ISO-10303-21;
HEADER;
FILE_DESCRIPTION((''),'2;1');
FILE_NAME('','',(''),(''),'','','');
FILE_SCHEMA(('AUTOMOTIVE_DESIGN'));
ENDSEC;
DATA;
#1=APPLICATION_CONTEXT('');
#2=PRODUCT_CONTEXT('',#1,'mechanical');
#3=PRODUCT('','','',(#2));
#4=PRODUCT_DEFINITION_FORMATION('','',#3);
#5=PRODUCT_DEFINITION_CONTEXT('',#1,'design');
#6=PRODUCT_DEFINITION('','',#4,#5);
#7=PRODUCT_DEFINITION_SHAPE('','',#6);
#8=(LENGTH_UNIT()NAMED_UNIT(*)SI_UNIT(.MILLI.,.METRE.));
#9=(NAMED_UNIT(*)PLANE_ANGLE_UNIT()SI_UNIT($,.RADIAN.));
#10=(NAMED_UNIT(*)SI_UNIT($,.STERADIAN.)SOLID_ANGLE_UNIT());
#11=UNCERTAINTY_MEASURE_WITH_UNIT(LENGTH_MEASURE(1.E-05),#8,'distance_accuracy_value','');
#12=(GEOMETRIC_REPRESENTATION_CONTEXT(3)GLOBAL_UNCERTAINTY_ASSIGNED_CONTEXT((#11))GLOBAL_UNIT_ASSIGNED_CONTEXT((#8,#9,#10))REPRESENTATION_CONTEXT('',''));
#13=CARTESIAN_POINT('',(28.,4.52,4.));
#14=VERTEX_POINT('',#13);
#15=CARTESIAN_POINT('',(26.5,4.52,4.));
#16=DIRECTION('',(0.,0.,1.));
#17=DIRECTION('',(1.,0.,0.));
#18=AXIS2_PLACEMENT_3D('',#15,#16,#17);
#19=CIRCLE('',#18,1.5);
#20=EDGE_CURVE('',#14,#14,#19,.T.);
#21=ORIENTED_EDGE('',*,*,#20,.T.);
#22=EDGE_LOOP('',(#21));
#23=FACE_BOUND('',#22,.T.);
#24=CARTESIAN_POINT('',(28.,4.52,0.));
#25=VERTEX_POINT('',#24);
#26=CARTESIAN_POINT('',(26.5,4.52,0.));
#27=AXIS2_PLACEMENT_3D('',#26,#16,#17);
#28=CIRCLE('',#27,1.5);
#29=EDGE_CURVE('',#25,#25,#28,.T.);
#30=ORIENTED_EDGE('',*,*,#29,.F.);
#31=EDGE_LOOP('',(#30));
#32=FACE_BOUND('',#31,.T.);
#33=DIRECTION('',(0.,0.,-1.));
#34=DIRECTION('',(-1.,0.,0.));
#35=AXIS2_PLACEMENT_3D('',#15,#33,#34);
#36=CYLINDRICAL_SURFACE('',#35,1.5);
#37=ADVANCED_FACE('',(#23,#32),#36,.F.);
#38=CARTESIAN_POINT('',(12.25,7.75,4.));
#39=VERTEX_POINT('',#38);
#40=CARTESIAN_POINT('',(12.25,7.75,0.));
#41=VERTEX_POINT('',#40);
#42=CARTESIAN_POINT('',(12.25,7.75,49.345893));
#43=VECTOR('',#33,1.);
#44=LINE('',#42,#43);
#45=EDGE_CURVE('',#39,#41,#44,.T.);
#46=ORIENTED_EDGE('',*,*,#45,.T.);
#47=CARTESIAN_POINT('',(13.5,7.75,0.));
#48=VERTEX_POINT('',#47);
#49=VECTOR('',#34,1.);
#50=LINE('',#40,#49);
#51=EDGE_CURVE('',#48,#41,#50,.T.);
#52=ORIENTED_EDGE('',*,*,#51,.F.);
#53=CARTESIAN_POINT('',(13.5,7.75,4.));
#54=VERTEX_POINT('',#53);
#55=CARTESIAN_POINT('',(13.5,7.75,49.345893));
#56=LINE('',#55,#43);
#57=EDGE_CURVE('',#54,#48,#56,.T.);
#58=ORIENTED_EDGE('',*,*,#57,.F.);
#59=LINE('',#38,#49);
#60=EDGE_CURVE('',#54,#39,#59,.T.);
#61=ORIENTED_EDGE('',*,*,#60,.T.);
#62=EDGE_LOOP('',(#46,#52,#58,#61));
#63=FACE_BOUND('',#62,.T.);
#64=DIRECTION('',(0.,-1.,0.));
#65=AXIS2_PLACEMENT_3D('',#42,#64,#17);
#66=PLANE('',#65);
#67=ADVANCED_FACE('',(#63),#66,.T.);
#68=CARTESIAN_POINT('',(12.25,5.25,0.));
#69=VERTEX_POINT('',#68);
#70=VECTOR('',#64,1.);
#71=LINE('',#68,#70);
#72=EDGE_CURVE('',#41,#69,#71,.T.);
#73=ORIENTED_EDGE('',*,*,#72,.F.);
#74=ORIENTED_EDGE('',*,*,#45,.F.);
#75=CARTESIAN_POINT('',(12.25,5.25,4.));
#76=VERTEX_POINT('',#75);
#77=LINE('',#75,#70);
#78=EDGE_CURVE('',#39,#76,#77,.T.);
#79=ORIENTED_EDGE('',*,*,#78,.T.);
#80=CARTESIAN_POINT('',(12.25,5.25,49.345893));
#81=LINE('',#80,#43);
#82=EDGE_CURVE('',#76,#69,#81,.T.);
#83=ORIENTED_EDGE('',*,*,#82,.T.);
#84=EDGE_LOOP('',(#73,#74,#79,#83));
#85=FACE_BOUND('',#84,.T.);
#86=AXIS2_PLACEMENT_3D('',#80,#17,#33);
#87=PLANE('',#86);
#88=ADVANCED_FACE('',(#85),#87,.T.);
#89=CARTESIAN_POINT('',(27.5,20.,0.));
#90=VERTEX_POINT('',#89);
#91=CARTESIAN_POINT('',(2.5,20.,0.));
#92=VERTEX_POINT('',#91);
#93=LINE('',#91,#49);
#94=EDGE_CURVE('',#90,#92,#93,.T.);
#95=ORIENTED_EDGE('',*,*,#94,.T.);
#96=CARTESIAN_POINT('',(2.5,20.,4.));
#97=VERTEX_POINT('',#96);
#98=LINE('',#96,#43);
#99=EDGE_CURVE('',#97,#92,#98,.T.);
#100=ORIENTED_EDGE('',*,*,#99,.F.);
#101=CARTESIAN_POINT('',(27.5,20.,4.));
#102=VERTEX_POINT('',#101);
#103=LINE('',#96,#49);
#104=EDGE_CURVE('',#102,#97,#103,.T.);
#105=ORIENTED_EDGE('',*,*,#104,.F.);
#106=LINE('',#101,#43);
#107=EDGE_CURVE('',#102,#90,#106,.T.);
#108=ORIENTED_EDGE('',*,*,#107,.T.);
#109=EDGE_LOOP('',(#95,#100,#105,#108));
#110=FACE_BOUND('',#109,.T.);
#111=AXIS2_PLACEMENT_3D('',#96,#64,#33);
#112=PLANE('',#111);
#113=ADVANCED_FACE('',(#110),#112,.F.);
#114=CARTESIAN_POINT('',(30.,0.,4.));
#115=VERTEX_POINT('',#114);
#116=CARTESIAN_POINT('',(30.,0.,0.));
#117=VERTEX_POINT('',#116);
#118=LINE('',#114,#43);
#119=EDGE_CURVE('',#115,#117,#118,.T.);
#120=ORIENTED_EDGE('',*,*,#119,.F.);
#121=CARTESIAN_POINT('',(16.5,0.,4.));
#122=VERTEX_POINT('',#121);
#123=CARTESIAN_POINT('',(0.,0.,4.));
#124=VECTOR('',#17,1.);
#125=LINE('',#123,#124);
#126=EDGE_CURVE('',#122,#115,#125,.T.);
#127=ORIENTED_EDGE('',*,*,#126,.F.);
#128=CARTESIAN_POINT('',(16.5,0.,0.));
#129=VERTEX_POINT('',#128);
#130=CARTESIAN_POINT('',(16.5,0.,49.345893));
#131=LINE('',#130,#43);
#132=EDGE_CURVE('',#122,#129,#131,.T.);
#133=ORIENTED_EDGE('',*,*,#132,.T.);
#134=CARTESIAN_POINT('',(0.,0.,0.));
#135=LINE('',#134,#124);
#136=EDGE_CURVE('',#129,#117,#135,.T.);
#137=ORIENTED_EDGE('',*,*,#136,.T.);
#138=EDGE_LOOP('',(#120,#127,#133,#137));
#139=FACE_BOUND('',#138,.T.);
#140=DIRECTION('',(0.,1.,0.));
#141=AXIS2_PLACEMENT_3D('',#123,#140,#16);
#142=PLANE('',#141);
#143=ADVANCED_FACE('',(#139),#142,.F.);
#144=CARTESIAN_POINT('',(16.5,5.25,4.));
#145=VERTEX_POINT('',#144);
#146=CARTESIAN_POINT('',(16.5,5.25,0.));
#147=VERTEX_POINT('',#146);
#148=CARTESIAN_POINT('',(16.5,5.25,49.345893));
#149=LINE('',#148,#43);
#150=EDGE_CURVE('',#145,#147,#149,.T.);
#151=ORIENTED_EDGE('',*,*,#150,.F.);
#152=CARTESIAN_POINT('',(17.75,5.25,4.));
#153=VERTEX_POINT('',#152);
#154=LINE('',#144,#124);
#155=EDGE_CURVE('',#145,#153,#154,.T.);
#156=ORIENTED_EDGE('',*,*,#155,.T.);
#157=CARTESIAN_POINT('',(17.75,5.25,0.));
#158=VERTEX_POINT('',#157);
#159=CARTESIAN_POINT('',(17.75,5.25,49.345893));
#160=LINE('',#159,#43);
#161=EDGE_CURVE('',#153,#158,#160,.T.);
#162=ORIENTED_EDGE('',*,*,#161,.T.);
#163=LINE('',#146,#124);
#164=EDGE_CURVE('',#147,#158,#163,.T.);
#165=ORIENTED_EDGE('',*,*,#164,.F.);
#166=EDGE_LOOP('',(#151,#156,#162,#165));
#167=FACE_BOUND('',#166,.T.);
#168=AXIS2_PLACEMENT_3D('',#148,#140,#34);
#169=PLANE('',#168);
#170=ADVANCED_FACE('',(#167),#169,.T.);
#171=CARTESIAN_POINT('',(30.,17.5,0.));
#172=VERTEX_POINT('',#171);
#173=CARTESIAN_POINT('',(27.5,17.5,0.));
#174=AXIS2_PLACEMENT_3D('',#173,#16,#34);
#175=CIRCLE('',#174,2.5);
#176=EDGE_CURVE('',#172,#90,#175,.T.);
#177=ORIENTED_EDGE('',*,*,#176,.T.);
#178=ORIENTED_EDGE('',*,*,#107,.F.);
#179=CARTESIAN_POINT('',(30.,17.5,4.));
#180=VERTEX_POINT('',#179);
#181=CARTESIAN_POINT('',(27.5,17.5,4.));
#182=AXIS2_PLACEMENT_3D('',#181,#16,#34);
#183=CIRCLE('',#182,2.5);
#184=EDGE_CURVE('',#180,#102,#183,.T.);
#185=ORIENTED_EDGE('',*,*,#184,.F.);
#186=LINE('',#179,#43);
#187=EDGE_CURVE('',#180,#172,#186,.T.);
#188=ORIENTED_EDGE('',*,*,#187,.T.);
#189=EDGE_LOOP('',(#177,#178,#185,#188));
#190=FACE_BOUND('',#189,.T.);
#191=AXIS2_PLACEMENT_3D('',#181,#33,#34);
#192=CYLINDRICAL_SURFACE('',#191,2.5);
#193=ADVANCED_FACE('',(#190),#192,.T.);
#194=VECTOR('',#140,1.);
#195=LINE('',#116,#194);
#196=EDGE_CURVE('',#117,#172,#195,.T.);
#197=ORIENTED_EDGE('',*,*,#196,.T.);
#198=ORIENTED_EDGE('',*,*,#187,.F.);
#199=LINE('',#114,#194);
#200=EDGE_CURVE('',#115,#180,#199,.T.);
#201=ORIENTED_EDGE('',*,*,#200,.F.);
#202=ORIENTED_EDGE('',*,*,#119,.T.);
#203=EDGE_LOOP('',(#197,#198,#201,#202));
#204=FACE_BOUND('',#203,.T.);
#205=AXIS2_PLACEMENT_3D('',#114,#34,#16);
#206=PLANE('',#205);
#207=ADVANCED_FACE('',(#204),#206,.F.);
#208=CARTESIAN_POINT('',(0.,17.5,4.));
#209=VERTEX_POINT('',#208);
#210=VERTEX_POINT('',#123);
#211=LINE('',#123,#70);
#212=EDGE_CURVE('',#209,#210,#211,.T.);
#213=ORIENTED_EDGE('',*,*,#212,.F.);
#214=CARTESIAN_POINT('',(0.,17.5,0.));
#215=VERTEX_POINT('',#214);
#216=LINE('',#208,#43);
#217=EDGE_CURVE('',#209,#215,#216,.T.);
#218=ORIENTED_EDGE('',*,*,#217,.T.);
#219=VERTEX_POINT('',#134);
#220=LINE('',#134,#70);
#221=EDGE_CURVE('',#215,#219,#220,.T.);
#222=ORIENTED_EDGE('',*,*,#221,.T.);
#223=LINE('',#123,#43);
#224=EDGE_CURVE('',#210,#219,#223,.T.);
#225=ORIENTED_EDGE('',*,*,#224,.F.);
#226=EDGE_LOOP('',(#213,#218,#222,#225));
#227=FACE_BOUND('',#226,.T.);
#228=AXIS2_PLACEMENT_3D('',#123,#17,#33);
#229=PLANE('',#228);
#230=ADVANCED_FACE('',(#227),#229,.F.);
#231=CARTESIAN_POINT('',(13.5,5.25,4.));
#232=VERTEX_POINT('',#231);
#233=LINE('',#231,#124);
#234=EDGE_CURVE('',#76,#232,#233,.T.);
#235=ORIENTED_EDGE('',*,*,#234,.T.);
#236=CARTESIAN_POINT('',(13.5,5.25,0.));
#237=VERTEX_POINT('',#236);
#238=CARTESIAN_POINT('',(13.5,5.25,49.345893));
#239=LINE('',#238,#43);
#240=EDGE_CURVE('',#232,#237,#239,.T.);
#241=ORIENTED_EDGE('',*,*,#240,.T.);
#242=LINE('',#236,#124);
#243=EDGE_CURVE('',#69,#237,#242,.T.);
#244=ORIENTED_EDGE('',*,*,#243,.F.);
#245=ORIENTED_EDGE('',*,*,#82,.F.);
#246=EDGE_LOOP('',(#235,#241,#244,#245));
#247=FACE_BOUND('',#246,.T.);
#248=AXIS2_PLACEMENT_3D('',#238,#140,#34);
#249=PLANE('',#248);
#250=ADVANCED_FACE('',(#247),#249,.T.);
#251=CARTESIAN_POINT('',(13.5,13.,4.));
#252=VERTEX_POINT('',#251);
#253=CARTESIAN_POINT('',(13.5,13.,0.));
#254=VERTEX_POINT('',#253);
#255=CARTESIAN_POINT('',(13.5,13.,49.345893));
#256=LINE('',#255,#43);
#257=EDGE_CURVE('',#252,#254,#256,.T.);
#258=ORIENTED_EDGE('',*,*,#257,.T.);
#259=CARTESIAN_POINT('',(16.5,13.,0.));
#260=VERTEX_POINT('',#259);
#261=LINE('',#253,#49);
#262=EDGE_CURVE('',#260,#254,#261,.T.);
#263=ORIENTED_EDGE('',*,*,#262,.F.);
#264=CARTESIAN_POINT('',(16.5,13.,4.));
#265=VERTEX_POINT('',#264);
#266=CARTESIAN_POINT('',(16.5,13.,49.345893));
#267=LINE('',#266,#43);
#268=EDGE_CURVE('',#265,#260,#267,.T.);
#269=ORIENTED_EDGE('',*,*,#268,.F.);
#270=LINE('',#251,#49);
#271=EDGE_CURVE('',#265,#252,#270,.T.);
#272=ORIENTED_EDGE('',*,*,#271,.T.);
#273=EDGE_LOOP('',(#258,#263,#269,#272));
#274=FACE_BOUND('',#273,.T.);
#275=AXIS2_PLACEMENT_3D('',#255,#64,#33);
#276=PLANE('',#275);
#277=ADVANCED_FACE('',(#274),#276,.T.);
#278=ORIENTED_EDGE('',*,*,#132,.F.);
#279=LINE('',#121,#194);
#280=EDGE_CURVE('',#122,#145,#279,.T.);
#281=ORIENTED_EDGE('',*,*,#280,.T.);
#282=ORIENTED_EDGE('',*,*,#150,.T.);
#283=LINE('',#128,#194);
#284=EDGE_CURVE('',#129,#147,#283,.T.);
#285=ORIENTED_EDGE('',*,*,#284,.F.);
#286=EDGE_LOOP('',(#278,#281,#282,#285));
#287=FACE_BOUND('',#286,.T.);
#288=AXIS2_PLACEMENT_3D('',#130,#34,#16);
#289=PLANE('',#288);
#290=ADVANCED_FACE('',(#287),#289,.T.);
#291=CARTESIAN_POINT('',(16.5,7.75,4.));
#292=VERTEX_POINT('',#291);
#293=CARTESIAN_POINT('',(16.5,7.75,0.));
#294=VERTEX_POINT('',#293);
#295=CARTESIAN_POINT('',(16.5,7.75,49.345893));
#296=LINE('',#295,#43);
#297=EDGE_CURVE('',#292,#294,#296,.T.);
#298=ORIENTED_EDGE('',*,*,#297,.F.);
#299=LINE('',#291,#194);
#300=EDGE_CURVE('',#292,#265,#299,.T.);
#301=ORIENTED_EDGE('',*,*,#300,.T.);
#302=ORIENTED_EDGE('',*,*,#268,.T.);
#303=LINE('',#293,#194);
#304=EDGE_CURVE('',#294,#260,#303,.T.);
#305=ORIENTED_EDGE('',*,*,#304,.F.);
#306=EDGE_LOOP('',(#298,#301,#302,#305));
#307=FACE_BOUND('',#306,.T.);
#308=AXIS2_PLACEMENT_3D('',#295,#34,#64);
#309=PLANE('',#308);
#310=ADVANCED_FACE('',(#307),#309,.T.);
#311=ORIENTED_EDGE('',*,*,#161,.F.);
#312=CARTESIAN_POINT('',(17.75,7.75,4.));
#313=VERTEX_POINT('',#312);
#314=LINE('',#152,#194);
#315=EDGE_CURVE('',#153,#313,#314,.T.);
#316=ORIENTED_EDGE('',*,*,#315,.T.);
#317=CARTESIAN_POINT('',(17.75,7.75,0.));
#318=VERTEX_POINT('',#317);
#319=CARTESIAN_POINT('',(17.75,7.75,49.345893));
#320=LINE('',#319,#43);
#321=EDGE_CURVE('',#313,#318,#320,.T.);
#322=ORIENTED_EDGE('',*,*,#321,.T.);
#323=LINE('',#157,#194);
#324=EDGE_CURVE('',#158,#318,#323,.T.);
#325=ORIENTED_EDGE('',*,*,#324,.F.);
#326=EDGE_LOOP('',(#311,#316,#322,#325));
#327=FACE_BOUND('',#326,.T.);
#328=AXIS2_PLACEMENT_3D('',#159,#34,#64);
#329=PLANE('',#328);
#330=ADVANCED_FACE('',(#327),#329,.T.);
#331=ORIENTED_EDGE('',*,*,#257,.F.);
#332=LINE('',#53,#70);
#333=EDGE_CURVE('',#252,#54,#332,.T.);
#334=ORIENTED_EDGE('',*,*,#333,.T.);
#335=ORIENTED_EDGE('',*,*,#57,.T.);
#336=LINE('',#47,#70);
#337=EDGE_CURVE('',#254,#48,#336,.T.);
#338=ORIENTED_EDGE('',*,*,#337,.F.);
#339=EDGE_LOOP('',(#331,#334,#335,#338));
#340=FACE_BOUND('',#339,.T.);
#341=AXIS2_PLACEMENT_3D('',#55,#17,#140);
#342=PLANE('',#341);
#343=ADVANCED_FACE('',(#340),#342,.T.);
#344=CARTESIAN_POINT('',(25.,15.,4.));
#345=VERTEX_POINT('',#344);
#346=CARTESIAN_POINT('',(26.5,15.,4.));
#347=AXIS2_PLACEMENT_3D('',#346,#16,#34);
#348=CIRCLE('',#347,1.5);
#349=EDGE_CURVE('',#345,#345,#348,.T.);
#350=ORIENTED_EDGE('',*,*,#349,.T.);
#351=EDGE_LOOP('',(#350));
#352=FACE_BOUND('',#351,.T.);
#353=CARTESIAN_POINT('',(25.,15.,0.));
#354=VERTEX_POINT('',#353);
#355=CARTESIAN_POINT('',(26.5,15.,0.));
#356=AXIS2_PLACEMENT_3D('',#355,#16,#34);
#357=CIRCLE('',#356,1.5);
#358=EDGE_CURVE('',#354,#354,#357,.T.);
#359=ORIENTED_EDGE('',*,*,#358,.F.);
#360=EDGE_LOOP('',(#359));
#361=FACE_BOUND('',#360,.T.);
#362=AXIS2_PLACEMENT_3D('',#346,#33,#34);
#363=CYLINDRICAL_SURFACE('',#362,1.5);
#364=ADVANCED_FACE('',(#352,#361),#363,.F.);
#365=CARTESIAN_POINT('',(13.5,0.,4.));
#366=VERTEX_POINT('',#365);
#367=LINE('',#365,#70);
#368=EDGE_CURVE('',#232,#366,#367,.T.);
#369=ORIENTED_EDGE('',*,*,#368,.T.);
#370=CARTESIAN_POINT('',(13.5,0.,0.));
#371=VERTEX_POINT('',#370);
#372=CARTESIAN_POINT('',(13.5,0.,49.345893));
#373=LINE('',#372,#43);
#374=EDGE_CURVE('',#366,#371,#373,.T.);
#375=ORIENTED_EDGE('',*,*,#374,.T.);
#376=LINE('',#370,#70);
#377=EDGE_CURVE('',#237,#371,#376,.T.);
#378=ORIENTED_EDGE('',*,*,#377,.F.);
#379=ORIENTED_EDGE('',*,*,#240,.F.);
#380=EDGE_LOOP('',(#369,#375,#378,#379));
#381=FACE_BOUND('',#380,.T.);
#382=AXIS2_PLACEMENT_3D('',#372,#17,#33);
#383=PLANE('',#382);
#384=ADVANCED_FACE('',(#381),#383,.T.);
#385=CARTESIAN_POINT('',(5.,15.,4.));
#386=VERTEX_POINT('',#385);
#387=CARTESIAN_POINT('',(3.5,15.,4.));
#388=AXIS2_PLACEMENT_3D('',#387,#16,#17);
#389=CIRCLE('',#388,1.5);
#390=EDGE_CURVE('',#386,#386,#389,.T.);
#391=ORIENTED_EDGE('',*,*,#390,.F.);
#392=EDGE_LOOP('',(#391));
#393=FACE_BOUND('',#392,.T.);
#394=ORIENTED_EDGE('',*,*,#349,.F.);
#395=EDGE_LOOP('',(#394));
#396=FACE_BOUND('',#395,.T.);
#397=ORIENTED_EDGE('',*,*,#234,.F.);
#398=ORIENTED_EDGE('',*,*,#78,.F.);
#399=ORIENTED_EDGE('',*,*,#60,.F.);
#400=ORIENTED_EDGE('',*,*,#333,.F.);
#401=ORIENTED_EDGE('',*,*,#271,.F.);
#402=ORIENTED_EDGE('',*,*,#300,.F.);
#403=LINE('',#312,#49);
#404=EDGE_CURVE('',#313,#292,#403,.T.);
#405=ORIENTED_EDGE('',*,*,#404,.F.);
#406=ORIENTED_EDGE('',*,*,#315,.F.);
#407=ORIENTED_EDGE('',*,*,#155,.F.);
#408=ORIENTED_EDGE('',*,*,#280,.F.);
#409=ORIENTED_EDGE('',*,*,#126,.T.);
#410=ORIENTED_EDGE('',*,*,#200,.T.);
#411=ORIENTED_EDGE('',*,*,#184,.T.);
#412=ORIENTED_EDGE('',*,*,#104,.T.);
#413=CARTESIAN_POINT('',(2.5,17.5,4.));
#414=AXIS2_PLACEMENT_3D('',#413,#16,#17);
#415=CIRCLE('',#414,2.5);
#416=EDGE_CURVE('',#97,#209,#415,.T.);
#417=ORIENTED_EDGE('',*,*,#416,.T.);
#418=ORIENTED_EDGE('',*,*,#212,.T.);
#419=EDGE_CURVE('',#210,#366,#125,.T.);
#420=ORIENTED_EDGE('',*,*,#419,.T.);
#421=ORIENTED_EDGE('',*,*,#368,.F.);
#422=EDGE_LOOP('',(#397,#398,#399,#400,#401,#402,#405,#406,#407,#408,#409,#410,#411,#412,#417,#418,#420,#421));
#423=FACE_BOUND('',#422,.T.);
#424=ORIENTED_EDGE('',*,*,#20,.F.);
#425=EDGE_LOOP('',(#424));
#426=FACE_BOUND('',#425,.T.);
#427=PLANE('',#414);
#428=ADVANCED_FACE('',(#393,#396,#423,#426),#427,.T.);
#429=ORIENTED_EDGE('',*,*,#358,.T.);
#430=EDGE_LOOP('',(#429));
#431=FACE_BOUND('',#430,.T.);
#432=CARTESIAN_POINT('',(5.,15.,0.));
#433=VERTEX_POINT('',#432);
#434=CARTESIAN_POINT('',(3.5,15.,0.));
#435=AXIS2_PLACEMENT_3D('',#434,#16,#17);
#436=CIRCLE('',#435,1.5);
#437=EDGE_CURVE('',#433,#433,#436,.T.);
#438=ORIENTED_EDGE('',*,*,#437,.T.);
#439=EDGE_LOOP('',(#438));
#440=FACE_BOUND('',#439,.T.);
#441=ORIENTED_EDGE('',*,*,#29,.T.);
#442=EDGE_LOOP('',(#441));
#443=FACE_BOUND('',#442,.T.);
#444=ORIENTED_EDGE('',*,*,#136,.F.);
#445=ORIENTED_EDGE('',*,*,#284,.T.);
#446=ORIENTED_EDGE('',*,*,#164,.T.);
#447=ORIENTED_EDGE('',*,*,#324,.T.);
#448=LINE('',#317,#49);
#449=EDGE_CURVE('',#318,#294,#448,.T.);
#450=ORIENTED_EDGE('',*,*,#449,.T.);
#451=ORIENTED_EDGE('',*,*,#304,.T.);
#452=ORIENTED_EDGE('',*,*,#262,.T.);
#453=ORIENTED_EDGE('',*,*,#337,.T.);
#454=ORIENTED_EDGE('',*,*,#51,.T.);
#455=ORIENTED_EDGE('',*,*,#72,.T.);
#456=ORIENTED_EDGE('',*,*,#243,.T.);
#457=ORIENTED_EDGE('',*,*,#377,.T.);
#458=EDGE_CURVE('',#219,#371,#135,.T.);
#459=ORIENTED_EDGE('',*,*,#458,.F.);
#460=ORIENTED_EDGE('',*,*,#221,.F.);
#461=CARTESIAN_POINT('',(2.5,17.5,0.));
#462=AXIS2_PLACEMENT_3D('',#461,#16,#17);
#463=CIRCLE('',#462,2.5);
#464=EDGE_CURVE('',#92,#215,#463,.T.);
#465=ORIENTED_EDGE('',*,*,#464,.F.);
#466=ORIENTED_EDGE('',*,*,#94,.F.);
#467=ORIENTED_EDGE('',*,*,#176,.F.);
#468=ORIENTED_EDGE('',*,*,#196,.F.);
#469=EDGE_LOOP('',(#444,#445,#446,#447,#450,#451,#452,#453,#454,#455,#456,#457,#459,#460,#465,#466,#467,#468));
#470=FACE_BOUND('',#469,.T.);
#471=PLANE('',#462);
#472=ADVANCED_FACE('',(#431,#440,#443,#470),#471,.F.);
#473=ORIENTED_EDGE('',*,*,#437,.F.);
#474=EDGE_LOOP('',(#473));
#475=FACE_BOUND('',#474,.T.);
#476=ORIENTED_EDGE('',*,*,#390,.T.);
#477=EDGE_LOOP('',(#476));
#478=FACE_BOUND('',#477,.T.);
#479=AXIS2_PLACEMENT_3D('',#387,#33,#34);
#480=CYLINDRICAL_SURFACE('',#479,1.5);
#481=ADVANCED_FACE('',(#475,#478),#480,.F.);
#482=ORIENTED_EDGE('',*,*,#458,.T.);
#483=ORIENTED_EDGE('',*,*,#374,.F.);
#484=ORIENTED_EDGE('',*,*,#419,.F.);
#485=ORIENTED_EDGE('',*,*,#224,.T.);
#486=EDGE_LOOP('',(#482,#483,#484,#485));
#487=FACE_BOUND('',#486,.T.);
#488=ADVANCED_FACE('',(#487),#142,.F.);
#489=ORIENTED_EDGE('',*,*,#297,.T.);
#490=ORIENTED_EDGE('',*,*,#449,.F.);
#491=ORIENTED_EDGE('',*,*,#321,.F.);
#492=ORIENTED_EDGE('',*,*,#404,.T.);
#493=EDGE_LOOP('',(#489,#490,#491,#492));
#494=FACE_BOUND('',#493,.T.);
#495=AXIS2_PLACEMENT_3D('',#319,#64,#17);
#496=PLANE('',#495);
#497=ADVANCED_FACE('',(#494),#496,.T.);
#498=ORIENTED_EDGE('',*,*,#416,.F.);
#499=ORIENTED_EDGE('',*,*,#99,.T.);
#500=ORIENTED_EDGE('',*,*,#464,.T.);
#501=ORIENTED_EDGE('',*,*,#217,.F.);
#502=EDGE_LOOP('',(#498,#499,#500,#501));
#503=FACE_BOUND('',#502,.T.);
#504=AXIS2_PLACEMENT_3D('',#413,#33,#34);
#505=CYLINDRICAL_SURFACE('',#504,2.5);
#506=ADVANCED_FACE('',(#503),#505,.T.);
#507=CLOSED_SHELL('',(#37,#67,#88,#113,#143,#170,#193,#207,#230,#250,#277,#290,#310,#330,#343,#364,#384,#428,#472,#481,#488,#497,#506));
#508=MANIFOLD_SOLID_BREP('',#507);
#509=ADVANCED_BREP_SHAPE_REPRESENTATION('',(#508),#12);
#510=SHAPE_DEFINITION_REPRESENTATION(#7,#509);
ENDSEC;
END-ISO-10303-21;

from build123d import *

# Parameters (mm, degrees)
SKETCH_1_R               = 1.5
EXTRUDE_1_DEPTH          = 4
CUT_EXTRUDE_1_DEPTH      = 1
CUT_EXTRUDE_1_DEPTH_BACK = 4


with BuildPart() as part:
    # Эскиз1 → Бобышка-Вытянуть1 (new body)
    with BuildSketch(Plane.XY):
        with BuildLine():
            Line((0, 0), (30, 0))
            Line((30, 0), (30, 17.5))
            ThreePointArc((30, 17.5), (29.267766953, 19.267766953), (27.5, 20))
            Line((27.5, 20), (2.5, 20))
            ThreePointArc((2.5, 20), (0.732233047, 19.267766953), (0, 17.5))
            Line((0, 17.5), (0, 0))
        make_face()
        with Locations((3.5, 15)):
            Circle(SKETCH_1_R, mode=Mode.SUBTRACT)
        with Locations((26.5, 15)):
            Circle(SKETCH_1_R, mode=Mode.SUBTRACT)
        with Locations((26.5, 4.52)):
            Circle(SKETCH_1_R, mode=Mode.SUBTRACT)
    extrude(amount=EXTRUDE_1_DEPTH)

    # Эскиз2 → Вырез-Вытянуть1 (cut, two sides)
    with BuildSketch(Plane.XY.offset(4)) as cut_extrude_1_sk:
        Polygon((13.5, 5.25), (13.5, 0), (16.5, 0), (16.5, 5.25), (17.75, 5.25), (17.75, 7.75), (16.5, 7.75), (16.5, 13), (13.5, 13), (13.5, 7.75), (12.25, 7.75), (12.25, 5.25), align=None)
    extrude(amount=CUT_EXTRUDE_1_DEPTH, mode=Mode.SUBTRACT)
    extrude(cut_extrude_1_sk.sketch, amount=-CUT_EXTRUDE_1_DEPTH_BACK, mode=Mode.SUBTRACT)


solid = part.part
